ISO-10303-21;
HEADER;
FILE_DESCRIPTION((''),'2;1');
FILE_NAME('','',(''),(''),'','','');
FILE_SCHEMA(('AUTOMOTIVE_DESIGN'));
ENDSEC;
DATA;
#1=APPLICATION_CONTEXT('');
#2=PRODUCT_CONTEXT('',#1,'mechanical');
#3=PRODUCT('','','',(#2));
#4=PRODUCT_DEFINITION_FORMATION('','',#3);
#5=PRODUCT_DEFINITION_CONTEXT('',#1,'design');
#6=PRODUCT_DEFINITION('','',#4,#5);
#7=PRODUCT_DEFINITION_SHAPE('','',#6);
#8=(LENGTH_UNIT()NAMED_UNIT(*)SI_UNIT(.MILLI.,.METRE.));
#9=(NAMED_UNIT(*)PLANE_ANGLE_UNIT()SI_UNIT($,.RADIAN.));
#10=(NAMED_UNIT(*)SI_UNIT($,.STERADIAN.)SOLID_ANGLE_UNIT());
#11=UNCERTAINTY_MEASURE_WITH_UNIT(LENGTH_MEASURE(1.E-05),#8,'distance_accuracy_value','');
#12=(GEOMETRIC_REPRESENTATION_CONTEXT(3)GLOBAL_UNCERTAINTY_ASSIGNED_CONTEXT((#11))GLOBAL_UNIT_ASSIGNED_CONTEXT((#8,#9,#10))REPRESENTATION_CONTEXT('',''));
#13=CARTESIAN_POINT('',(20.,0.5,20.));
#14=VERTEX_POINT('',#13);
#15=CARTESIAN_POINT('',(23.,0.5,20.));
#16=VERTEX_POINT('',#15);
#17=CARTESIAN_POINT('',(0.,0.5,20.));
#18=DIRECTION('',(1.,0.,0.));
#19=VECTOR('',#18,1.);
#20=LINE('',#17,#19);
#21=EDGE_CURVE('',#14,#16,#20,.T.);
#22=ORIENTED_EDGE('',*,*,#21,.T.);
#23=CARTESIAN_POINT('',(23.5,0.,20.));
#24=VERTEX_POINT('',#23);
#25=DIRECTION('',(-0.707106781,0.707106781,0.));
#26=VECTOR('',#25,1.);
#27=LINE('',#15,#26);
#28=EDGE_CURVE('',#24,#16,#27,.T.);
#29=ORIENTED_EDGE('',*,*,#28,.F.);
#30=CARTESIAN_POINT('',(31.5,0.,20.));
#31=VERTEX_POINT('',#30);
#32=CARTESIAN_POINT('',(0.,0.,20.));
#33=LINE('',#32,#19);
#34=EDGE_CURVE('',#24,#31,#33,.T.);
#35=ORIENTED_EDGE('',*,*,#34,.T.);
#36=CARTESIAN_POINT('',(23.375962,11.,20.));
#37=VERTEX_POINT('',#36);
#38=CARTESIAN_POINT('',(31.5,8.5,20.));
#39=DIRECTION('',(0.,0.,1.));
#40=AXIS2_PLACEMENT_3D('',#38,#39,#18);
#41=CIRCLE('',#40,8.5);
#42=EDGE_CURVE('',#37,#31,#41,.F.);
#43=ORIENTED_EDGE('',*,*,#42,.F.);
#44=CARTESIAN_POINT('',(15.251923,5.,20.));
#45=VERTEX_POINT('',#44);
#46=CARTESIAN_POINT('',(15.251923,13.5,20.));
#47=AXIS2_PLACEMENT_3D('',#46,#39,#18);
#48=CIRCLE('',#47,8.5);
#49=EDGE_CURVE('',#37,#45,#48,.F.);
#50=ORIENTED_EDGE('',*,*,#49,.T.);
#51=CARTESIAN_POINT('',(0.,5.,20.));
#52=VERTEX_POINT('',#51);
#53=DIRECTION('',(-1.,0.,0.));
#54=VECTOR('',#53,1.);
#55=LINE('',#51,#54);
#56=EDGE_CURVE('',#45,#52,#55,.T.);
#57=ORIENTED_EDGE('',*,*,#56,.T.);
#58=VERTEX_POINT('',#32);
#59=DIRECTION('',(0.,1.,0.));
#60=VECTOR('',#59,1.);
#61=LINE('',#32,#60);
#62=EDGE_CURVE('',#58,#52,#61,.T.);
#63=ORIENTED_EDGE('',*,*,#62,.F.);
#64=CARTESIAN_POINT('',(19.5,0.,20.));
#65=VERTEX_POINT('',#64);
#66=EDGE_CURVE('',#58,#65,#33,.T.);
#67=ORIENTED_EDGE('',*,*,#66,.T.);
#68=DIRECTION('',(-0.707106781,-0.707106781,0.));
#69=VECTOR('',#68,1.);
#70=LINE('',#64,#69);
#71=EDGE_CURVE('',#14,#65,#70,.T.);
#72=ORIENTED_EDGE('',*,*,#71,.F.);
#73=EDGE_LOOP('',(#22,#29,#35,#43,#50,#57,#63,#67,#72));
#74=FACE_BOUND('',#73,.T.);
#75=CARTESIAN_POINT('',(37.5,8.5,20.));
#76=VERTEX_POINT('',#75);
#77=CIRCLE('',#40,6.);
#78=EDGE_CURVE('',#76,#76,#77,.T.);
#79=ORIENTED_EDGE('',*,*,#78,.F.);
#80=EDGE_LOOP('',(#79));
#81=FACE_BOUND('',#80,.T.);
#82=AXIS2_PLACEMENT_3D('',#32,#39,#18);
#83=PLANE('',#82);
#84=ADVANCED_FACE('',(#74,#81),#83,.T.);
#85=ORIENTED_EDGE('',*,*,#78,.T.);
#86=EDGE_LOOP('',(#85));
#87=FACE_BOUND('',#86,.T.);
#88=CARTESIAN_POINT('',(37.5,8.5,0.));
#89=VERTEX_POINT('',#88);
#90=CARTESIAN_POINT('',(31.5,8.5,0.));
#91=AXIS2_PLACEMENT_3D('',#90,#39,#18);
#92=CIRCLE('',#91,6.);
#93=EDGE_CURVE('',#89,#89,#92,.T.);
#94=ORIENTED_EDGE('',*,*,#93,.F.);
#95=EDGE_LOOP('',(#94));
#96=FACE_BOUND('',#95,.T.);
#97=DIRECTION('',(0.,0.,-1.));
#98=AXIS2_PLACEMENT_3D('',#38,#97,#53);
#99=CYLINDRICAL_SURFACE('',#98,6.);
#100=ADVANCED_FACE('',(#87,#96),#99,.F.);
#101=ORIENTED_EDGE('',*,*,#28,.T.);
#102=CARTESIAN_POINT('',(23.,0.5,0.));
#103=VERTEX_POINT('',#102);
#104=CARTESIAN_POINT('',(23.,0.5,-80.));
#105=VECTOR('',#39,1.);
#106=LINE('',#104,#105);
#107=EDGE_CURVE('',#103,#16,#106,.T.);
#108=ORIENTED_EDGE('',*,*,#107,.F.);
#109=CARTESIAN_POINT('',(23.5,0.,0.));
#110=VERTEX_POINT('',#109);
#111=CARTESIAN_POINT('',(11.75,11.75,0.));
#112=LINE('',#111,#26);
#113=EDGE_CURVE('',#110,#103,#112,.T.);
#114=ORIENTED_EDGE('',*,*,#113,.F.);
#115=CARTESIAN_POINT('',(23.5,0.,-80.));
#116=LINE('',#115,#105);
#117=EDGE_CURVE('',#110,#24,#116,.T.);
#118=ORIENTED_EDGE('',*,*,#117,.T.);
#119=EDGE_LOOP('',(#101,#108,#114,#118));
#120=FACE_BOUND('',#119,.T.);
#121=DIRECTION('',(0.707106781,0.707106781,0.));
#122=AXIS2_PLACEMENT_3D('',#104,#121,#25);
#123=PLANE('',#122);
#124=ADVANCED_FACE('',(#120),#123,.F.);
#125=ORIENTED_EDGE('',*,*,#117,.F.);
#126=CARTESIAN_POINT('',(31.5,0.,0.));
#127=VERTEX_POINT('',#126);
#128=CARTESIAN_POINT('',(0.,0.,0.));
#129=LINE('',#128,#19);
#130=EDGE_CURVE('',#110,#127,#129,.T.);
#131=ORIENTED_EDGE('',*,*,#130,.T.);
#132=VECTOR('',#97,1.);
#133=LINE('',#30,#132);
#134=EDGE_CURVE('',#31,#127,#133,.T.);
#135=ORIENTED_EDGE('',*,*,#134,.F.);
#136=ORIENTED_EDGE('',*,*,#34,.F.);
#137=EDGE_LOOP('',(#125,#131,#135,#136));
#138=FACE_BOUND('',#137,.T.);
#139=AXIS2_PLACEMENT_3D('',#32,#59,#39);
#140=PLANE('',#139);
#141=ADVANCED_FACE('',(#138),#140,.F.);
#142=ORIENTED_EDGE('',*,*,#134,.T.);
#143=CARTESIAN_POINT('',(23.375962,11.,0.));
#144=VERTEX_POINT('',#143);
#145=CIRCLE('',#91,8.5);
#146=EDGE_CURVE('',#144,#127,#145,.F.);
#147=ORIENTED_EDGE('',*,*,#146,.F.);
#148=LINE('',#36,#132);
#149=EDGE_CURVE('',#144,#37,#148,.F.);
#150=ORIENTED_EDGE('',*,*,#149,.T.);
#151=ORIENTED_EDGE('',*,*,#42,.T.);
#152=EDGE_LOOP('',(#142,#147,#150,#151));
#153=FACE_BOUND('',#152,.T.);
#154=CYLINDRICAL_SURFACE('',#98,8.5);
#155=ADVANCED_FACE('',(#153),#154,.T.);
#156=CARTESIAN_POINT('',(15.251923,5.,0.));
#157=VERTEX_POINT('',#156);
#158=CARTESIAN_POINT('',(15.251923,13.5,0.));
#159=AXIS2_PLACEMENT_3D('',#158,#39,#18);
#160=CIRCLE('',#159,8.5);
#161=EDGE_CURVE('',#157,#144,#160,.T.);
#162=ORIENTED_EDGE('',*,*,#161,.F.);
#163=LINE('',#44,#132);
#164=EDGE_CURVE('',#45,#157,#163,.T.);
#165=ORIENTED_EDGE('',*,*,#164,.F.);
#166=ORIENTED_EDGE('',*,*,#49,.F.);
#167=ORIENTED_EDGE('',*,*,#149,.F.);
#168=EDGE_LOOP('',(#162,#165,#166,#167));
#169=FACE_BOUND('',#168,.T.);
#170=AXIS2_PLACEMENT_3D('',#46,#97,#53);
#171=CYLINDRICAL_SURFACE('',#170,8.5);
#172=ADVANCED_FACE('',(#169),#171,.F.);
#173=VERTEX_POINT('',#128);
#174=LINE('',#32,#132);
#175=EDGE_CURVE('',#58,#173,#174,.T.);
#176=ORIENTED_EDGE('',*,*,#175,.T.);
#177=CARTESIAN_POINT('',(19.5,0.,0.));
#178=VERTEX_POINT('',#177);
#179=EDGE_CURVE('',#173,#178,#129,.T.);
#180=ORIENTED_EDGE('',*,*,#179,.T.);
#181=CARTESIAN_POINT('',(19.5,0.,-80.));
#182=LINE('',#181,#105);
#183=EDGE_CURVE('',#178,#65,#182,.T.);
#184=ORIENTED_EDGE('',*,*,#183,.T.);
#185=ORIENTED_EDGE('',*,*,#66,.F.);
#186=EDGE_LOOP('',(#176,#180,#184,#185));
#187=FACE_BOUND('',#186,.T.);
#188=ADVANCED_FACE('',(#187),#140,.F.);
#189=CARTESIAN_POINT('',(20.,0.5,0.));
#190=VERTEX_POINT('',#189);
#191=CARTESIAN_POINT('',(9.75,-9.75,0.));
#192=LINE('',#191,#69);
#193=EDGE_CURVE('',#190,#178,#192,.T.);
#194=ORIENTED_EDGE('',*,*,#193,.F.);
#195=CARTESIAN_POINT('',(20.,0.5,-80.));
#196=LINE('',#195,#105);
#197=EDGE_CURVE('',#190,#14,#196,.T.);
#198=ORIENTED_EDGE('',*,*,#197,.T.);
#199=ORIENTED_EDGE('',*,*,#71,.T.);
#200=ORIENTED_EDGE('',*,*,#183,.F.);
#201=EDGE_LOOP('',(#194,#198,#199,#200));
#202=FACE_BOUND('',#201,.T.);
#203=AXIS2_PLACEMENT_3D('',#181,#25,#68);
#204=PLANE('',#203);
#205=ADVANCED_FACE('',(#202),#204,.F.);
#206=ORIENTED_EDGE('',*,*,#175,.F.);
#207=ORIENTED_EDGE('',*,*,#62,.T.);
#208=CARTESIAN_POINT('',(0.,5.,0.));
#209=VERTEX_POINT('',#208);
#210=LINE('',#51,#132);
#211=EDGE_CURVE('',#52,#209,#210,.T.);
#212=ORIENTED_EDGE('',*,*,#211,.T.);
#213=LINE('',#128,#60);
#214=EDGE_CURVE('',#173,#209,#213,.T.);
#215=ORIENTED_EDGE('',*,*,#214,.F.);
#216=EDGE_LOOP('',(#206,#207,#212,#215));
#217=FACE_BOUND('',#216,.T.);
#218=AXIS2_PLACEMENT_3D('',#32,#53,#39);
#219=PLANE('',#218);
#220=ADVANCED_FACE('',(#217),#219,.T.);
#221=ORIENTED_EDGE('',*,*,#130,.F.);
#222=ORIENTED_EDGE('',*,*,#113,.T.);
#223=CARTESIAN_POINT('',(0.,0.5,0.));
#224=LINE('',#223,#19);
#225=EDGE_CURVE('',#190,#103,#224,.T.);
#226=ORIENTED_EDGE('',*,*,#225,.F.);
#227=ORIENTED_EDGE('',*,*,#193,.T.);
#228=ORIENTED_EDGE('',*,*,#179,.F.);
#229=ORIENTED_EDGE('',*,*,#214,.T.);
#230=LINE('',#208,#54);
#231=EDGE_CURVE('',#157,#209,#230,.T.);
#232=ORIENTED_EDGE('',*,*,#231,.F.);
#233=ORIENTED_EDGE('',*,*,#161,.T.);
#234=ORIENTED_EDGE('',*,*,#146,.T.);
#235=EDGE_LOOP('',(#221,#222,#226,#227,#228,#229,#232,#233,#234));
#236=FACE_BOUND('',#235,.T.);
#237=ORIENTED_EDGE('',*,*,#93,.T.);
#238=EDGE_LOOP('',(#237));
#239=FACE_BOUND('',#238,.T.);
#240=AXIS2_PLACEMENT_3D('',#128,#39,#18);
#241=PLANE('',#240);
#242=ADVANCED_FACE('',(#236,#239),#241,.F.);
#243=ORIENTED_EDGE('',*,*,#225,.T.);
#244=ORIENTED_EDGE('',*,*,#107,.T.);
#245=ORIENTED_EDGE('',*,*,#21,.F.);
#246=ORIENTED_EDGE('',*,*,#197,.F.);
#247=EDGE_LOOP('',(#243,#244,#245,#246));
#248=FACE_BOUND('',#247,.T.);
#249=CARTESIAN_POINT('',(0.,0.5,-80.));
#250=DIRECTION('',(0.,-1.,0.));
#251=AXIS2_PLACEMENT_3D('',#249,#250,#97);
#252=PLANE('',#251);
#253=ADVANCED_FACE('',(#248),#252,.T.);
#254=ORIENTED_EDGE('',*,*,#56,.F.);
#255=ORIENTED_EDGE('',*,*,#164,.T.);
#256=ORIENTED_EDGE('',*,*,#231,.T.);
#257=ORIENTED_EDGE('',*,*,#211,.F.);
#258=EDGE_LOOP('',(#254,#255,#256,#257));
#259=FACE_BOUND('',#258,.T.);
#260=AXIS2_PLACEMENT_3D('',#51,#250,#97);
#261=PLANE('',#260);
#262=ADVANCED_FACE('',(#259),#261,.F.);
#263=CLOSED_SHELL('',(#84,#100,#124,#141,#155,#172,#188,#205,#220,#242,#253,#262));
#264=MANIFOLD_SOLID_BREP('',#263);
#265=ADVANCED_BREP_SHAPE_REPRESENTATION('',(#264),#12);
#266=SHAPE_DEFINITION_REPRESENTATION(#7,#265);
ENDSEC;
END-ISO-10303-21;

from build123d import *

# Parameters (mm, degrees)
SKETCH_2_R          = 6
EXTRUDE_1_DEPTH     = 20
FILLET_1_R          = 8.5
SKETCH_3_W          = 3
SKETCH_3_H          = 0.5
CUT_EXTRUDE_1_DEPTH = 100
CUT_EXTRUDE_2_DEPTH = 100


with BuildPart() as part:
    # 草图2 → 凸台-拉伸1 (new body)
    with BuildSketch(Plane.XY):
        with BuildLine():
            ThreePointArc((23, 8.5), (37.51040764, 14.51040764), (31.5, 0))
            Line((31.5, 0), (23, 0))
            Line((23, 0), (20, 0))
            Line((20, 0), (0, 0))
            Line((0, 0), (0, 5))
            Line((0, 5), (23, 5))
            Line((23, 5), (23, 8.5))
        make_face()
        with Locations((31.5, 8.5)):
            Circle(SKETCH_2_R, mode=Mode.SUBTRACT)
    extrude(amount=EXTRUDE_1_DEPTH)

    # 圆角1
    fillet_1_edges = [part.edges().sort_by_distance(p)[0] for p in [
        (23, 5, 10),
    ]]
    fillet(fillet_1_edges, radius=FILLET_1_R)

    # 草图3 → 切除-拉伸1 (cut)
    with BuildSketch(Plane.XY.offset(20)):
        with Locations((21.5, 0.25)):
            Rectangle(SKETCH_3_W, SKETCH_3_H)
    extrude(amount=-CUT_EXTRUDE_1_DEPTH, mode=Mode.SUBTRACT)

    # 草图4 → 切除-拉伸2 (cut)
    with BuildSketch(Plane.XY.offset(20)):
        Polygon((23, 0), (23.5, 0), (23, 0.5), align=None)
        Polygon((20, 0), (19.5, 0), (20, 0.5), align=None)
    extrude(amount=-CUT_EXTRUDE_2_DEPTH, mode=Mode.SUBTRACT)


solid = part.part
